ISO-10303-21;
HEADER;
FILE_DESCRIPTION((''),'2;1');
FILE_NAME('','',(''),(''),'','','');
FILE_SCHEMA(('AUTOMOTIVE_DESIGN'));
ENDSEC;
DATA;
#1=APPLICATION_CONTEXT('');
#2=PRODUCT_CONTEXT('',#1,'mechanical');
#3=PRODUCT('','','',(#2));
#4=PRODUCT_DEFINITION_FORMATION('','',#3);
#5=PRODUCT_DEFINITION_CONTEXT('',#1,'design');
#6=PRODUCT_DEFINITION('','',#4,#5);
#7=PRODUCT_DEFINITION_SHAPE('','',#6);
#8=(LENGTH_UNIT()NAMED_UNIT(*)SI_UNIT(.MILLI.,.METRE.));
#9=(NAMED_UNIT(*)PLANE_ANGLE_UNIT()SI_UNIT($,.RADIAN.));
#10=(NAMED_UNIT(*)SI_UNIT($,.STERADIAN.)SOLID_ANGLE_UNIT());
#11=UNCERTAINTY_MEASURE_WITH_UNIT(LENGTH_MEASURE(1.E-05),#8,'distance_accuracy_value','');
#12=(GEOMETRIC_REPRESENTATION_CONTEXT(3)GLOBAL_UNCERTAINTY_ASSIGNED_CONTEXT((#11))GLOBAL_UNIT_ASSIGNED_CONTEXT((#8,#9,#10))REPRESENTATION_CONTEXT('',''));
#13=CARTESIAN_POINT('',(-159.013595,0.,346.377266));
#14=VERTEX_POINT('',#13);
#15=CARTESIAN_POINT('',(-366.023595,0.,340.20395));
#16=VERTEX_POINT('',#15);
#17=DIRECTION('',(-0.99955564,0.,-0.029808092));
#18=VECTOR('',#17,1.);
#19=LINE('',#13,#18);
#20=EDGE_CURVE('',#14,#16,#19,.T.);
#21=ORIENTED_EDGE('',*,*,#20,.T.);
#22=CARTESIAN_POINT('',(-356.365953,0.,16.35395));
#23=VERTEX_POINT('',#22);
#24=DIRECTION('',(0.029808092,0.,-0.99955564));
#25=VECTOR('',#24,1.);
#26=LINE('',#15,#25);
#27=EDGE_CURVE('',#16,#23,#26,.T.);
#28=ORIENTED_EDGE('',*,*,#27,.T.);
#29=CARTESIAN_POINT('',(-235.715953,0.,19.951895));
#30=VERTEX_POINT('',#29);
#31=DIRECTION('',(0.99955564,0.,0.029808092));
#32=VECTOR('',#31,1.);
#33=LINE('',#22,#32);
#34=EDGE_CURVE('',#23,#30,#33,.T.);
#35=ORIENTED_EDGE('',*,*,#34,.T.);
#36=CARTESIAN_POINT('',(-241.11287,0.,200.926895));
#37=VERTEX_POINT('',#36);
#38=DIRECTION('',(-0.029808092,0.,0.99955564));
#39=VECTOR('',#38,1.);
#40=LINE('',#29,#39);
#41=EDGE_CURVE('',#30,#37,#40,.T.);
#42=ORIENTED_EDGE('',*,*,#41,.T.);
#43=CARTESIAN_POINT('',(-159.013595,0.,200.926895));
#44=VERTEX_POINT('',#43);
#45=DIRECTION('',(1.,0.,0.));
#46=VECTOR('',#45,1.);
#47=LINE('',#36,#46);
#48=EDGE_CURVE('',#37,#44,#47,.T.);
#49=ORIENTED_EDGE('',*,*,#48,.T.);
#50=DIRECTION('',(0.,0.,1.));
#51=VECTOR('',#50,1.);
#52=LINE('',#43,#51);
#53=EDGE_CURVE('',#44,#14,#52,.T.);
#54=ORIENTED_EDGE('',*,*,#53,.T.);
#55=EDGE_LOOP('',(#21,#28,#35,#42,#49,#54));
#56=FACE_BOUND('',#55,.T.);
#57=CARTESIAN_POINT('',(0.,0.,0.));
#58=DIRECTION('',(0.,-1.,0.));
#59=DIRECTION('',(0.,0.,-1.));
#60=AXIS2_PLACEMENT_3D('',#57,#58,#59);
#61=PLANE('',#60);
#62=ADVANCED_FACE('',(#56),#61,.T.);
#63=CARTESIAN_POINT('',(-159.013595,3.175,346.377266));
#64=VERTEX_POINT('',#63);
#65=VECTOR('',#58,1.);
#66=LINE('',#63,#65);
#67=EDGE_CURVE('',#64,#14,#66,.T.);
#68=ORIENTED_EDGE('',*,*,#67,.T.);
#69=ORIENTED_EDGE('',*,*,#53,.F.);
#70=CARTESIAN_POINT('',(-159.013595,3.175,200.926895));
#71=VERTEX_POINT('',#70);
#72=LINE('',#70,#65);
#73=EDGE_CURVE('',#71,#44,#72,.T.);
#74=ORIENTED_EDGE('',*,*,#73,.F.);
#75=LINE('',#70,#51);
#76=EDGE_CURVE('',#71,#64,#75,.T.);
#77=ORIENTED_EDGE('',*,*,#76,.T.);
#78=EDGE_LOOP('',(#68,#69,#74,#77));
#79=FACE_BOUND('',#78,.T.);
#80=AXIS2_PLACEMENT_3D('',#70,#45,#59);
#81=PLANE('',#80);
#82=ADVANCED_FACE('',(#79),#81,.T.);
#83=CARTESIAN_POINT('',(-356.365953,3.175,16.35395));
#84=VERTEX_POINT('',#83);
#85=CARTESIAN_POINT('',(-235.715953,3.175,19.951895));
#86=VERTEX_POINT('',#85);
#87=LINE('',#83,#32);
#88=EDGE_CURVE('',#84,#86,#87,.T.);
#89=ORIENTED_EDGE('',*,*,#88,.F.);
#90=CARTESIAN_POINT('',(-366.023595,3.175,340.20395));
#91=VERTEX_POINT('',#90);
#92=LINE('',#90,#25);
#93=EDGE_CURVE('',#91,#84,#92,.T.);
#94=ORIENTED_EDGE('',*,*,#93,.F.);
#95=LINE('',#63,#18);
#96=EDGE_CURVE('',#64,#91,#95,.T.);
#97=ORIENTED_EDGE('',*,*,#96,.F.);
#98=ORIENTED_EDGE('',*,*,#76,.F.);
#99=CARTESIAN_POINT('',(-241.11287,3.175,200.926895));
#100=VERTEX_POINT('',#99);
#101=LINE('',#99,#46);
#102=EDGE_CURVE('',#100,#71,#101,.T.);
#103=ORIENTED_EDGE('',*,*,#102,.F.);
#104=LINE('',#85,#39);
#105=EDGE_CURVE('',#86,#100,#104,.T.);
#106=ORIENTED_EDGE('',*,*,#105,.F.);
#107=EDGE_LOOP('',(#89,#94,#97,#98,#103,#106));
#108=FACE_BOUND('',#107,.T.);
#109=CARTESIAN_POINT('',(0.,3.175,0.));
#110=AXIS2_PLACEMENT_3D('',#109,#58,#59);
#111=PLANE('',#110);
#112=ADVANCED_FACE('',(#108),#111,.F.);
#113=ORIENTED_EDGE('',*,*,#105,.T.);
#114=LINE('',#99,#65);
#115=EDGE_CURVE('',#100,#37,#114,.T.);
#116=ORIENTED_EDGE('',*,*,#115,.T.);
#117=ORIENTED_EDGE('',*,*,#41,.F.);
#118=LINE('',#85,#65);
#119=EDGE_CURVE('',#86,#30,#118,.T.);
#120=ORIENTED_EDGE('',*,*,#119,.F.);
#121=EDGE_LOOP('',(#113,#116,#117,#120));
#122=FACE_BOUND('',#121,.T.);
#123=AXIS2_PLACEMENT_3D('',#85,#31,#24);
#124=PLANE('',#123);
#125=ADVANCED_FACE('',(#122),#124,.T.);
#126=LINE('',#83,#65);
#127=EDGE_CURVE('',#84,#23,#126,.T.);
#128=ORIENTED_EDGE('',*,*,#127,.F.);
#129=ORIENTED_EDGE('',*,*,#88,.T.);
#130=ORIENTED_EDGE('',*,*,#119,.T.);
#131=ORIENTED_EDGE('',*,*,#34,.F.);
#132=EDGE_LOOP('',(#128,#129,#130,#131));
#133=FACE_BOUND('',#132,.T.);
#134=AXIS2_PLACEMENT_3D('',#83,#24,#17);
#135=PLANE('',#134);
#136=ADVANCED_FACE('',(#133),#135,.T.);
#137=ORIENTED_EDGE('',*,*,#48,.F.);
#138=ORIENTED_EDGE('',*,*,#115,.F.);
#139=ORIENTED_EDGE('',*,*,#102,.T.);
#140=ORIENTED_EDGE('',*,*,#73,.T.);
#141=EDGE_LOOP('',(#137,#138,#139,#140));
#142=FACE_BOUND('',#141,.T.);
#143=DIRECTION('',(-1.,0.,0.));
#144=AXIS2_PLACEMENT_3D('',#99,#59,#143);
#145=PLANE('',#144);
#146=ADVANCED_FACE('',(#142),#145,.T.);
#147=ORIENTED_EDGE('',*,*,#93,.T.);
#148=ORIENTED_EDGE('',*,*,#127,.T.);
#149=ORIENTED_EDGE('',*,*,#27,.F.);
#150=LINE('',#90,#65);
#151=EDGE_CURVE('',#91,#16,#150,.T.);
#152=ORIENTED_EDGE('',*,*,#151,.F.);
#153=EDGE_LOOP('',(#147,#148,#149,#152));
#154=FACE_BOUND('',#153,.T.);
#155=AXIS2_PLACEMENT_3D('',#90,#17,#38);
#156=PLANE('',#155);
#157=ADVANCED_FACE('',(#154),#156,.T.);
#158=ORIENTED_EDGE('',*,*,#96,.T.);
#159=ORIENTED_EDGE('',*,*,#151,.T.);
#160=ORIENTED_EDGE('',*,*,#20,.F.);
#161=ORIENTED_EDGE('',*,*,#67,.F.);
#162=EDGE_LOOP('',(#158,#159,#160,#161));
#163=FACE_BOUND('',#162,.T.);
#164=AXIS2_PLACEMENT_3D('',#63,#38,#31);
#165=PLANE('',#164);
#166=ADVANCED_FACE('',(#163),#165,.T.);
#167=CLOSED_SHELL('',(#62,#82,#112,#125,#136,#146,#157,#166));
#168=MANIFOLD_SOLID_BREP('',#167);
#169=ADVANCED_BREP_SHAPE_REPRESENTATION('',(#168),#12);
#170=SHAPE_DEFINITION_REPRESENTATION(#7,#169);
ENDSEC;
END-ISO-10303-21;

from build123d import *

# Parameters (mm, degrees)
BOSS_EXTRUDE1_DEPTH = 3.175


with BuildPart() as part:
    # Sketch1 → Boss-Extrude1 (new body)
    with BuildSketch(Plane(origin=(0, 0, 0), x_dir=(1, 0, 0), z_dir=(0, 1, 0))):
        Polygon((-241.11287042, -200.926894996), (-159.013594879, -200.926894996), (-159.013594879, -346.377266224), (-366.023594879, -340.203949897), (-356.365952773, -16.353949897), (-235.715952773, -19.951894996), align=None)
    extrude(amount=BOSS_EXTRUDE1_DEPTH)


solid = part.part
